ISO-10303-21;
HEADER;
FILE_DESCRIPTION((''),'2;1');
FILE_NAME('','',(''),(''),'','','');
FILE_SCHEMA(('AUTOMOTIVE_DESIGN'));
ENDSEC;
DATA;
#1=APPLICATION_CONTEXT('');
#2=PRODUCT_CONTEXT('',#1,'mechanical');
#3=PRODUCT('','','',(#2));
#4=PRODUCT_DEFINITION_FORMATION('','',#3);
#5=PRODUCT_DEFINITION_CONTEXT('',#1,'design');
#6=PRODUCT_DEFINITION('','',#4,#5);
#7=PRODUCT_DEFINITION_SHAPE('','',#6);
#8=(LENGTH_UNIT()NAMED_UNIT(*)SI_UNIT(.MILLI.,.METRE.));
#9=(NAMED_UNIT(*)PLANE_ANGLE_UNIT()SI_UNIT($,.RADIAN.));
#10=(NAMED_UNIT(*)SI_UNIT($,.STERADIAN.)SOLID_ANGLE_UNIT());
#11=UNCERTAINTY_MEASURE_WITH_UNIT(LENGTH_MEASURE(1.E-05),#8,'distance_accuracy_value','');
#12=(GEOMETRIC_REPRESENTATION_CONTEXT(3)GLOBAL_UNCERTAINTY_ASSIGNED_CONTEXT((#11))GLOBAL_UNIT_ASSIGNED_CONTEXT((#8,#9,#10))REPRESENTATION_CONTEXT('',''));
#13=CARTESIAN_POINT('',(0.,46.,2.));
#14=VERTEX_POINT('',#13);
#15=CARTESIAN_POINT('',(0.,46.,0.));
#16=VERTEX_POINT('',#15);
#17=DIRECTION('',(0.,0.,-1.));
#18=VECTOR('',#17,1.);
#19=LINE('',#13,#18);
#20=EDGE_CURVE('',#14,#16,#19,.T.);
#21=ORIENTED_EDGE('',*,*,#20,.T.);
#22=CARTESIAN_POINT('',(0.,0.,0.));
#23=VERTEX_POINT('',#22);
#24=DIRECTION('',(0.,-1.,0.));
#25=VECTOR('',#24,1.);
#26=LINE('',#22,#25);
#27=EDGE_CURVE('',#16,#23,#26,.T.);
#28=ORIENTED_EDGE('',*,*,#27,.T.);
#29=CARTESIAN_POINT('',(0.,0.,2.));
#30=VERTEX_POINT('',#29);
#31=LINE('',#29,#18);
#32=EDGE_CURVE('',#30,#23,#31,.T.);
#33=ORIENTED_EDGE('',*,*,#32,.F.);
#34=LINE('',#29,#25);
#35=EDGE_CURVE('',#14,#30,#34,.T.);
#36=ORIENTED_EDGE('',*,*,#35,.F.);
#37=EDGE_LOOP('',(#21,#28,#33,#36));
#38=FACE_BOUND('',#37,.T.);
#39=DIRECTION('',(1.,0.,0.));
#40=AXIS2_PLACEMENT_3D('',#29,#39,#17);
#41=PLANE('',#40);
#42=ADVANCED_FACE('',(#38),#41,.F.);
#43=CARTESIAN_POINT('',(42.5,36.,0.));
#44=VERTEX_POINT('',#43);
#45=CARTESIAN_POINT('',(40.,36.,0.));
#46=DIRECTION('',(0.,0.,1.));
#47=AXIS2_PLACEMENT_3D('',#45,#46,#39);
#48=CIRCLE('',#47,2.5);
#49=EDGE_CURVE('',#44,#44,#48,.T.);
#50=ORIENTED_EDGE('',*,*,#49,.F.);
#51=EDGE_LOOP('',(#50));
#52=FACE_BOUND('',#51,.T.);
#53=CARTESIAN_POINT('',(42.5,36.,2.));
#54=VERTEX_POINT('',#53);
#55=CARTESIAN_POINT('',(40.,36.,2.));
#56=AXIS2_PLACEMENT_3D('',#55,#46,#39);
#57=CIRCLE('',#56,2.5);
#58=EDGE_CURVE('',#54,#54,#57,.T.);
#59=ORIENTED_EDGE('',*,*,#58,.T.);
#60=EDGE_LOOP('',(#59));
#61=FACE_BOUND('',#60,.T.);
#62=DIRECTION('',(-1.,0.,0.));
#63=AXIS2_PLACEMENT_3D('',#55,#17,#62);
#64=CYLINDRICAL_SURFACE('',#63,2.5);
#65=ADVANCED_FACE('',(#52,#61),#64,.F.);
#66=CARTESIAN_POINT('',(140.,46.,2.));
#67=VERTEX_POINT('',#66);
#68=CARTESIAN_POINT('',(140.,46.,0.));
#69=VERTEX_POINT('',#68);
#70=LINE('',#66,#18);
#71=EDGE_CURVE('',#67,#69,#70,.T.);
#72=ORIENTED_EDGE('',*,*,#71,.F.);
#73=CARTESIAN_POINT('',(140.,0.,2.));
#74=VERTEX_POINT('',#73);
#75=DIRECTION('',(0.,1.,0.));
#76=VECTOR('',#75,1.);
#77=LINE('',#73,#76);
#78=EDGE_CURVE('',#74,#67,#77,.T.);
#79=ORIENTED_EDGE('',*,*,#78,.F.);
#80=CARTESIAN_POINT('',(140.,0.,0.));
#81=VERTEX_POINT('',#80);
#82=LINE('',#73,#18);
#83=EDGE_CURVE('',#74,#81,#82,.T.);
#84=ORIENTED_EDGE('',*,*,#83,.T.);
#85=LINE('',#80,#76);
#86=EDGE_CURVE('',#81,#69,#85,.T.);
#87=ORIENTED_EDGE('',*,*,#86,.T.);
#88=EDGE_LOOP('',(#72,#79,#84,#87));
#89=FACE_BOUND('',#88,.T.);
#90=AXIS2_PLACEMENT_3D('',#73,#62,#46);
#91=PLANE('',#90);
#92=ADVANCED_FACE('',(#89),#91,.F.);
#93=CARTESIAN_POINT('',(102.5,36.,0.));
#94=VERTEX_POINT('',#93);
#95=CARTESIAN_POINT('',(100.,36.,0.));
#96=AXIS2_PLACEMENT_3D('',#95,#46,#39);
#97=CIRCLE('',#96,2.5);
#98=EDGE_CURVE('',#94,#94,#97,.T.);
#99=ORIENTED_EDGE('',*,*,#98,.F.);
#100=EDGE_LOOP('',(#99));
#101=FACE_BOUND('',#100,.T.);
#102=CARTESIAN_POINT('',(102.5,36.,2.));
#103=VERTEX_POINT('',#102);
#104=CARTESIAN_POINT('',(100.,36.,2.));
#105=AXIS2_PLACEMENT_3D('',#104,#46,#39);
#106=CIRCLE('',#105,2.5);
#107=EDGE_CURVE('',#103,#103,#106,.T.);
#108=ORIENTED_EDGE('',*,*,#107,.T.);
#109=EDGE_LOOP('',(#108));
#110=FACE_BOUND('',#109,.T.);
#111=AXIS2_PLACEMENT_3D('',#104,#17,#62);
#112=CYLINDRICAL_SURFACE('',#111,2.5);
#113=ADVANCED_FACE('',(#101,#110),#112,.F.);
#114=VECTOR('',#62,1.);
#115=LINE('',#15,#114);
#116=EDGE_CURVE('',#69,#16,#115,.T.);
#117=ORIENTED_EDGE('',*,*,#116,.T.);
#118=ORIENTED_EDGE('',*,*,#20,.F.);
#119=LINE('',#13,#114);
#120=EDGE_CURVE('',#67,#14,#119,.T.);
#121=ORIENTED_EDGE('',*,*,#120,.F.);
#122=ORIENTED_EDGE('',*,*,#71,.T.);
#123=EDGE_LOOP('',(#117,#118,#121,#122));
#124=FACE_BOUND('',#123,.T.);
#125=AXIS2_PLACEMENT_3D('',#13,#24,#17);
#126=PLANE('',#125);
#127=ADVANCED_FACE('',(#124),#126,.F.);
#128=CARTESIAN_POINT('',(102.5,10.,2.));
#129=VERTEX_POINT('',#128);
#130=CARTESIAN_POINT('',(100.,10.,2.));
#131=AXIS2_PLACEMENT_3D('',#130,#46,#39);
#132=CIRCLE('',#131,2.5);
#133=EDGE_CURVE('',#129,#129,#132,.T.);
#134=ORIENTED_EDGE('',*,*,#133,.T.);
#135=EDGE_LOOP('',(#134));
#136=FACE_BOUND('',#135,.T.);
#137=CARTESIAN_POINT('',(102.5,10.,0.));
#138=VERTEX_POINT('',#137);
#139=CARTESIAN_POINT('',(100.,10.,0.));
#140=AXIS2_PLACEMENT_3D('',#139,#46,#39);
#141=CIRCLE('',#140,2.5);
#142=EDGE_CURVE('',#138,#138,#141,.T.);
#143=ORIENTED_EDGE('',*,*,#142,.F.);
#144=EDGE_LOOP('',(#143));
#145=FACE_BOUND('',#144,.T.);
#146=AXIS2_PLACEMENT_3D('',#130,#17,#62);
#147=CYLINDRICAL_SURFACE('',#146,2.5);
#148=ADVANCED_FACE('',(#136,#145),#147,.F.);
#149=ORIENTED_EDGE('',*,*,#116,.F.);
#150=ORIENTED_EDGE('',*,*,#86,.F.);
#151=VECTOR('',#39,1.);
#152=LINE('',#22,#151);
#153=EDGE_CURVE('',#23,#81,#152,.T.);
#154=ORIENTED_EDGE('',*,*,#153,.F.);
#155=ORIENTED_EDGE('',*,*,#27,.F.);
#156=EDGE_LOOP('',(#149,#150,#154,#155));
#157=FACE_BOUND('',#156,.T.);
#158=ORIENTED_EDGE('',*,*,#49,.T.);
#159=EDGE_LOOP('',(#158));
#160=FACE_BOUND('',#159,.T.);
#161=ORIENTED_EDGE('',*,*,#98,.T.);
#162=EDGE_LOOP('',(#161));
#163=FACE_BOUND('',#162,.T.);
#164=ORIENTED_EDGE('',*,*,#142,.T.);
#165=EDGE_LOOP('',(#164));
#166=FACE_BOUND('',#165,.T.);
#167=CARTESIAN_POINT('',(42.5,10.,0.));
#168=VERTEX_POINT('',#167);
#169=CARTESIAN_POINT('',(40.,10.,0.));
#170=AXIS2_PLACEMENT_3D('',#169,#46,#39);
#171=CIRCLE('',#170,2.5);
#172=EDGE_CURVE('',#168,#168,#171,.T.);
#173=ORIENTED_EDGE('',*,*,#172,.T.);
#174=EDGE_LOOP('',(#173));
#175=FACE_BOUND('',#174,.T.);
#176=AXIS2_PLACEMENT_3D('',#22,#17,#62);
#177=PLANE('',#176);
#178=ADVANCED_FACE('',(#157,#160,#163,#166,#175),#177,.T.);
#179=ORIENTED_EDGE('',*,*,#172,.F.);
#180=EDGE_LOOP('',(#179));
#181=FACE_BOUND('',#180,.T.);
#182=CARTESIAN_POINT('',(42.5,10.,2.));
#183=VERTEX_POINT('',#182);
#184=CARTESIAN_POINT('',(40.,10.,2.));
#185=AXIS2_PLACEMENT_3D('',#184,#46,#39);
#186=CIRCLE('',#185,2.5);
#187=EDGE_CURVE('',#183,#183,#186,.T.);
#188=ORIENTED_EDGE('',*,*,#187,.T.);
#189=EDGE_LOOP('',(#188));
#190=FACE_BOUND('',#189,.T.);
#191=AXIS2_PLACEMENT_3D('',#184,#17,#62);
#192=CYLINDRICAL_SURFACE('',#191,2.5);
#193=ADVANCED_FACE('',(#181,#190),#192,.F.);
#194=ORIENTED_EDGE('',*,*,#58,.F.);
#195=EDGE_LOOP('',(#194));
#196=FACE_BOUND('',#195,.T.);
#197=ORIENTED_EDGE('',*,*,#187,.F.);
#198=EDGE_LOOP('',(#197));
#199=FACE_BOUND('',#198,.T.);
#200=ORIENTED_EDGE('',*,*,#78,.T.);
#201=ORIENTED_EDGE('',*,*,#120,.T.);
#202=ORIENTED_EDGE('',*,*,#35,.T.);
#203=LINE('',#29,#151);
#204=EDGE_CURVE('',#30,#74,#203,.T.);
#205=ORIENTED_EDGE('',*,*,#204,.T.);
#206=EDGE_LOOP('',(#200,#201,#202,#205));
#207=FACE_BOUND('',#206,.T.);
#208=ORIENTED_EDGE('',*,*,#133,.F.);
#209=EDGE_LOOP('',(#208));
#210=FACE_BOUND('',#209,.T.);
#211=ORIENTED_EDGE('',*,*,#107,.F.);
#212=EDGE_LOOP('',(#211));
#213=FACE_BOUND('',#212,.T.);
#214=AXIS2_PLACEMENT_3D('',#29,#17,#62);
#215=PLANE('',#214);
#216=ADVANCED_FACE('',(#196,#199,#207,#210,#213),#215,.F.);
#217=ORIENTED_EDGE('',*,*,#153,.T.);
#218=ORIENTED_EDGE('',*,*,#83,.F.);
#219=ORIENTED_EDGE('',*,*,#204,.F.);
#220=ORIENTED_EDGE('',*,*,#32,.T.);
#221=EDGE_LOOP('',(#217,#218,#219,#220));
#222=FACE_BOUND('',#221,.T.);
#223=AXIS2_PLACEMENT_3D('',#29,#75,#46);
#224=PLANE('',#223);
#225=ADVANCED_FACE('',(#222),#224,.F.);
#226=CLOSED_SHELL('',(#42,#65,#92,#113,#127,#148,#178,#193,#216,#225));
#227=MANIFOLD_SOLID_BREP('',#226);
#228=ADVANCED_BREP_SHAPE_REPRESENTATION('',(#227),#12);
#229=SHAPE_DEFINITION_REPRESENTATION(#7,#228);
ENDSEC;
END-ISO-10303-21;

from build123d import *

# Parameters (mm, degrees)
IZIM1_W                     = 140
IZIM1_H                     = 46
IZIM1_R                     = 2.5
Y_KSEKLIK_EKSTR_ZYON1_DEPTH = 2


with BuildPart() as part:
    # Çizim1 → Yükseklik-Ekstrüzyon1 (new body)
    with BuildSketch(Plane.XY):
        with Locations((70, 23)):
            Rectangle(IZIM1_W, IZIM1_H)
        with Locations((40, 36)):
            Circle(IZIM1_R, mode=Mode.SUBTRACT)
        with Locations((100, 36)):
            Circle(IZIM1_R, mode=Mode.SUBTRACT)
        with Locations((40, 10)):
            Circle(IZIM1_R, mode=Mode.SUBTRACT)
        with Locations((100, 10)):
            Circle(IZIM1_R, mode=Mode.SUBTRACT)
    extrude(amount=Y_KSEKLIK_EKSTR_ZYON1_DEPTH)


solid = part.part
